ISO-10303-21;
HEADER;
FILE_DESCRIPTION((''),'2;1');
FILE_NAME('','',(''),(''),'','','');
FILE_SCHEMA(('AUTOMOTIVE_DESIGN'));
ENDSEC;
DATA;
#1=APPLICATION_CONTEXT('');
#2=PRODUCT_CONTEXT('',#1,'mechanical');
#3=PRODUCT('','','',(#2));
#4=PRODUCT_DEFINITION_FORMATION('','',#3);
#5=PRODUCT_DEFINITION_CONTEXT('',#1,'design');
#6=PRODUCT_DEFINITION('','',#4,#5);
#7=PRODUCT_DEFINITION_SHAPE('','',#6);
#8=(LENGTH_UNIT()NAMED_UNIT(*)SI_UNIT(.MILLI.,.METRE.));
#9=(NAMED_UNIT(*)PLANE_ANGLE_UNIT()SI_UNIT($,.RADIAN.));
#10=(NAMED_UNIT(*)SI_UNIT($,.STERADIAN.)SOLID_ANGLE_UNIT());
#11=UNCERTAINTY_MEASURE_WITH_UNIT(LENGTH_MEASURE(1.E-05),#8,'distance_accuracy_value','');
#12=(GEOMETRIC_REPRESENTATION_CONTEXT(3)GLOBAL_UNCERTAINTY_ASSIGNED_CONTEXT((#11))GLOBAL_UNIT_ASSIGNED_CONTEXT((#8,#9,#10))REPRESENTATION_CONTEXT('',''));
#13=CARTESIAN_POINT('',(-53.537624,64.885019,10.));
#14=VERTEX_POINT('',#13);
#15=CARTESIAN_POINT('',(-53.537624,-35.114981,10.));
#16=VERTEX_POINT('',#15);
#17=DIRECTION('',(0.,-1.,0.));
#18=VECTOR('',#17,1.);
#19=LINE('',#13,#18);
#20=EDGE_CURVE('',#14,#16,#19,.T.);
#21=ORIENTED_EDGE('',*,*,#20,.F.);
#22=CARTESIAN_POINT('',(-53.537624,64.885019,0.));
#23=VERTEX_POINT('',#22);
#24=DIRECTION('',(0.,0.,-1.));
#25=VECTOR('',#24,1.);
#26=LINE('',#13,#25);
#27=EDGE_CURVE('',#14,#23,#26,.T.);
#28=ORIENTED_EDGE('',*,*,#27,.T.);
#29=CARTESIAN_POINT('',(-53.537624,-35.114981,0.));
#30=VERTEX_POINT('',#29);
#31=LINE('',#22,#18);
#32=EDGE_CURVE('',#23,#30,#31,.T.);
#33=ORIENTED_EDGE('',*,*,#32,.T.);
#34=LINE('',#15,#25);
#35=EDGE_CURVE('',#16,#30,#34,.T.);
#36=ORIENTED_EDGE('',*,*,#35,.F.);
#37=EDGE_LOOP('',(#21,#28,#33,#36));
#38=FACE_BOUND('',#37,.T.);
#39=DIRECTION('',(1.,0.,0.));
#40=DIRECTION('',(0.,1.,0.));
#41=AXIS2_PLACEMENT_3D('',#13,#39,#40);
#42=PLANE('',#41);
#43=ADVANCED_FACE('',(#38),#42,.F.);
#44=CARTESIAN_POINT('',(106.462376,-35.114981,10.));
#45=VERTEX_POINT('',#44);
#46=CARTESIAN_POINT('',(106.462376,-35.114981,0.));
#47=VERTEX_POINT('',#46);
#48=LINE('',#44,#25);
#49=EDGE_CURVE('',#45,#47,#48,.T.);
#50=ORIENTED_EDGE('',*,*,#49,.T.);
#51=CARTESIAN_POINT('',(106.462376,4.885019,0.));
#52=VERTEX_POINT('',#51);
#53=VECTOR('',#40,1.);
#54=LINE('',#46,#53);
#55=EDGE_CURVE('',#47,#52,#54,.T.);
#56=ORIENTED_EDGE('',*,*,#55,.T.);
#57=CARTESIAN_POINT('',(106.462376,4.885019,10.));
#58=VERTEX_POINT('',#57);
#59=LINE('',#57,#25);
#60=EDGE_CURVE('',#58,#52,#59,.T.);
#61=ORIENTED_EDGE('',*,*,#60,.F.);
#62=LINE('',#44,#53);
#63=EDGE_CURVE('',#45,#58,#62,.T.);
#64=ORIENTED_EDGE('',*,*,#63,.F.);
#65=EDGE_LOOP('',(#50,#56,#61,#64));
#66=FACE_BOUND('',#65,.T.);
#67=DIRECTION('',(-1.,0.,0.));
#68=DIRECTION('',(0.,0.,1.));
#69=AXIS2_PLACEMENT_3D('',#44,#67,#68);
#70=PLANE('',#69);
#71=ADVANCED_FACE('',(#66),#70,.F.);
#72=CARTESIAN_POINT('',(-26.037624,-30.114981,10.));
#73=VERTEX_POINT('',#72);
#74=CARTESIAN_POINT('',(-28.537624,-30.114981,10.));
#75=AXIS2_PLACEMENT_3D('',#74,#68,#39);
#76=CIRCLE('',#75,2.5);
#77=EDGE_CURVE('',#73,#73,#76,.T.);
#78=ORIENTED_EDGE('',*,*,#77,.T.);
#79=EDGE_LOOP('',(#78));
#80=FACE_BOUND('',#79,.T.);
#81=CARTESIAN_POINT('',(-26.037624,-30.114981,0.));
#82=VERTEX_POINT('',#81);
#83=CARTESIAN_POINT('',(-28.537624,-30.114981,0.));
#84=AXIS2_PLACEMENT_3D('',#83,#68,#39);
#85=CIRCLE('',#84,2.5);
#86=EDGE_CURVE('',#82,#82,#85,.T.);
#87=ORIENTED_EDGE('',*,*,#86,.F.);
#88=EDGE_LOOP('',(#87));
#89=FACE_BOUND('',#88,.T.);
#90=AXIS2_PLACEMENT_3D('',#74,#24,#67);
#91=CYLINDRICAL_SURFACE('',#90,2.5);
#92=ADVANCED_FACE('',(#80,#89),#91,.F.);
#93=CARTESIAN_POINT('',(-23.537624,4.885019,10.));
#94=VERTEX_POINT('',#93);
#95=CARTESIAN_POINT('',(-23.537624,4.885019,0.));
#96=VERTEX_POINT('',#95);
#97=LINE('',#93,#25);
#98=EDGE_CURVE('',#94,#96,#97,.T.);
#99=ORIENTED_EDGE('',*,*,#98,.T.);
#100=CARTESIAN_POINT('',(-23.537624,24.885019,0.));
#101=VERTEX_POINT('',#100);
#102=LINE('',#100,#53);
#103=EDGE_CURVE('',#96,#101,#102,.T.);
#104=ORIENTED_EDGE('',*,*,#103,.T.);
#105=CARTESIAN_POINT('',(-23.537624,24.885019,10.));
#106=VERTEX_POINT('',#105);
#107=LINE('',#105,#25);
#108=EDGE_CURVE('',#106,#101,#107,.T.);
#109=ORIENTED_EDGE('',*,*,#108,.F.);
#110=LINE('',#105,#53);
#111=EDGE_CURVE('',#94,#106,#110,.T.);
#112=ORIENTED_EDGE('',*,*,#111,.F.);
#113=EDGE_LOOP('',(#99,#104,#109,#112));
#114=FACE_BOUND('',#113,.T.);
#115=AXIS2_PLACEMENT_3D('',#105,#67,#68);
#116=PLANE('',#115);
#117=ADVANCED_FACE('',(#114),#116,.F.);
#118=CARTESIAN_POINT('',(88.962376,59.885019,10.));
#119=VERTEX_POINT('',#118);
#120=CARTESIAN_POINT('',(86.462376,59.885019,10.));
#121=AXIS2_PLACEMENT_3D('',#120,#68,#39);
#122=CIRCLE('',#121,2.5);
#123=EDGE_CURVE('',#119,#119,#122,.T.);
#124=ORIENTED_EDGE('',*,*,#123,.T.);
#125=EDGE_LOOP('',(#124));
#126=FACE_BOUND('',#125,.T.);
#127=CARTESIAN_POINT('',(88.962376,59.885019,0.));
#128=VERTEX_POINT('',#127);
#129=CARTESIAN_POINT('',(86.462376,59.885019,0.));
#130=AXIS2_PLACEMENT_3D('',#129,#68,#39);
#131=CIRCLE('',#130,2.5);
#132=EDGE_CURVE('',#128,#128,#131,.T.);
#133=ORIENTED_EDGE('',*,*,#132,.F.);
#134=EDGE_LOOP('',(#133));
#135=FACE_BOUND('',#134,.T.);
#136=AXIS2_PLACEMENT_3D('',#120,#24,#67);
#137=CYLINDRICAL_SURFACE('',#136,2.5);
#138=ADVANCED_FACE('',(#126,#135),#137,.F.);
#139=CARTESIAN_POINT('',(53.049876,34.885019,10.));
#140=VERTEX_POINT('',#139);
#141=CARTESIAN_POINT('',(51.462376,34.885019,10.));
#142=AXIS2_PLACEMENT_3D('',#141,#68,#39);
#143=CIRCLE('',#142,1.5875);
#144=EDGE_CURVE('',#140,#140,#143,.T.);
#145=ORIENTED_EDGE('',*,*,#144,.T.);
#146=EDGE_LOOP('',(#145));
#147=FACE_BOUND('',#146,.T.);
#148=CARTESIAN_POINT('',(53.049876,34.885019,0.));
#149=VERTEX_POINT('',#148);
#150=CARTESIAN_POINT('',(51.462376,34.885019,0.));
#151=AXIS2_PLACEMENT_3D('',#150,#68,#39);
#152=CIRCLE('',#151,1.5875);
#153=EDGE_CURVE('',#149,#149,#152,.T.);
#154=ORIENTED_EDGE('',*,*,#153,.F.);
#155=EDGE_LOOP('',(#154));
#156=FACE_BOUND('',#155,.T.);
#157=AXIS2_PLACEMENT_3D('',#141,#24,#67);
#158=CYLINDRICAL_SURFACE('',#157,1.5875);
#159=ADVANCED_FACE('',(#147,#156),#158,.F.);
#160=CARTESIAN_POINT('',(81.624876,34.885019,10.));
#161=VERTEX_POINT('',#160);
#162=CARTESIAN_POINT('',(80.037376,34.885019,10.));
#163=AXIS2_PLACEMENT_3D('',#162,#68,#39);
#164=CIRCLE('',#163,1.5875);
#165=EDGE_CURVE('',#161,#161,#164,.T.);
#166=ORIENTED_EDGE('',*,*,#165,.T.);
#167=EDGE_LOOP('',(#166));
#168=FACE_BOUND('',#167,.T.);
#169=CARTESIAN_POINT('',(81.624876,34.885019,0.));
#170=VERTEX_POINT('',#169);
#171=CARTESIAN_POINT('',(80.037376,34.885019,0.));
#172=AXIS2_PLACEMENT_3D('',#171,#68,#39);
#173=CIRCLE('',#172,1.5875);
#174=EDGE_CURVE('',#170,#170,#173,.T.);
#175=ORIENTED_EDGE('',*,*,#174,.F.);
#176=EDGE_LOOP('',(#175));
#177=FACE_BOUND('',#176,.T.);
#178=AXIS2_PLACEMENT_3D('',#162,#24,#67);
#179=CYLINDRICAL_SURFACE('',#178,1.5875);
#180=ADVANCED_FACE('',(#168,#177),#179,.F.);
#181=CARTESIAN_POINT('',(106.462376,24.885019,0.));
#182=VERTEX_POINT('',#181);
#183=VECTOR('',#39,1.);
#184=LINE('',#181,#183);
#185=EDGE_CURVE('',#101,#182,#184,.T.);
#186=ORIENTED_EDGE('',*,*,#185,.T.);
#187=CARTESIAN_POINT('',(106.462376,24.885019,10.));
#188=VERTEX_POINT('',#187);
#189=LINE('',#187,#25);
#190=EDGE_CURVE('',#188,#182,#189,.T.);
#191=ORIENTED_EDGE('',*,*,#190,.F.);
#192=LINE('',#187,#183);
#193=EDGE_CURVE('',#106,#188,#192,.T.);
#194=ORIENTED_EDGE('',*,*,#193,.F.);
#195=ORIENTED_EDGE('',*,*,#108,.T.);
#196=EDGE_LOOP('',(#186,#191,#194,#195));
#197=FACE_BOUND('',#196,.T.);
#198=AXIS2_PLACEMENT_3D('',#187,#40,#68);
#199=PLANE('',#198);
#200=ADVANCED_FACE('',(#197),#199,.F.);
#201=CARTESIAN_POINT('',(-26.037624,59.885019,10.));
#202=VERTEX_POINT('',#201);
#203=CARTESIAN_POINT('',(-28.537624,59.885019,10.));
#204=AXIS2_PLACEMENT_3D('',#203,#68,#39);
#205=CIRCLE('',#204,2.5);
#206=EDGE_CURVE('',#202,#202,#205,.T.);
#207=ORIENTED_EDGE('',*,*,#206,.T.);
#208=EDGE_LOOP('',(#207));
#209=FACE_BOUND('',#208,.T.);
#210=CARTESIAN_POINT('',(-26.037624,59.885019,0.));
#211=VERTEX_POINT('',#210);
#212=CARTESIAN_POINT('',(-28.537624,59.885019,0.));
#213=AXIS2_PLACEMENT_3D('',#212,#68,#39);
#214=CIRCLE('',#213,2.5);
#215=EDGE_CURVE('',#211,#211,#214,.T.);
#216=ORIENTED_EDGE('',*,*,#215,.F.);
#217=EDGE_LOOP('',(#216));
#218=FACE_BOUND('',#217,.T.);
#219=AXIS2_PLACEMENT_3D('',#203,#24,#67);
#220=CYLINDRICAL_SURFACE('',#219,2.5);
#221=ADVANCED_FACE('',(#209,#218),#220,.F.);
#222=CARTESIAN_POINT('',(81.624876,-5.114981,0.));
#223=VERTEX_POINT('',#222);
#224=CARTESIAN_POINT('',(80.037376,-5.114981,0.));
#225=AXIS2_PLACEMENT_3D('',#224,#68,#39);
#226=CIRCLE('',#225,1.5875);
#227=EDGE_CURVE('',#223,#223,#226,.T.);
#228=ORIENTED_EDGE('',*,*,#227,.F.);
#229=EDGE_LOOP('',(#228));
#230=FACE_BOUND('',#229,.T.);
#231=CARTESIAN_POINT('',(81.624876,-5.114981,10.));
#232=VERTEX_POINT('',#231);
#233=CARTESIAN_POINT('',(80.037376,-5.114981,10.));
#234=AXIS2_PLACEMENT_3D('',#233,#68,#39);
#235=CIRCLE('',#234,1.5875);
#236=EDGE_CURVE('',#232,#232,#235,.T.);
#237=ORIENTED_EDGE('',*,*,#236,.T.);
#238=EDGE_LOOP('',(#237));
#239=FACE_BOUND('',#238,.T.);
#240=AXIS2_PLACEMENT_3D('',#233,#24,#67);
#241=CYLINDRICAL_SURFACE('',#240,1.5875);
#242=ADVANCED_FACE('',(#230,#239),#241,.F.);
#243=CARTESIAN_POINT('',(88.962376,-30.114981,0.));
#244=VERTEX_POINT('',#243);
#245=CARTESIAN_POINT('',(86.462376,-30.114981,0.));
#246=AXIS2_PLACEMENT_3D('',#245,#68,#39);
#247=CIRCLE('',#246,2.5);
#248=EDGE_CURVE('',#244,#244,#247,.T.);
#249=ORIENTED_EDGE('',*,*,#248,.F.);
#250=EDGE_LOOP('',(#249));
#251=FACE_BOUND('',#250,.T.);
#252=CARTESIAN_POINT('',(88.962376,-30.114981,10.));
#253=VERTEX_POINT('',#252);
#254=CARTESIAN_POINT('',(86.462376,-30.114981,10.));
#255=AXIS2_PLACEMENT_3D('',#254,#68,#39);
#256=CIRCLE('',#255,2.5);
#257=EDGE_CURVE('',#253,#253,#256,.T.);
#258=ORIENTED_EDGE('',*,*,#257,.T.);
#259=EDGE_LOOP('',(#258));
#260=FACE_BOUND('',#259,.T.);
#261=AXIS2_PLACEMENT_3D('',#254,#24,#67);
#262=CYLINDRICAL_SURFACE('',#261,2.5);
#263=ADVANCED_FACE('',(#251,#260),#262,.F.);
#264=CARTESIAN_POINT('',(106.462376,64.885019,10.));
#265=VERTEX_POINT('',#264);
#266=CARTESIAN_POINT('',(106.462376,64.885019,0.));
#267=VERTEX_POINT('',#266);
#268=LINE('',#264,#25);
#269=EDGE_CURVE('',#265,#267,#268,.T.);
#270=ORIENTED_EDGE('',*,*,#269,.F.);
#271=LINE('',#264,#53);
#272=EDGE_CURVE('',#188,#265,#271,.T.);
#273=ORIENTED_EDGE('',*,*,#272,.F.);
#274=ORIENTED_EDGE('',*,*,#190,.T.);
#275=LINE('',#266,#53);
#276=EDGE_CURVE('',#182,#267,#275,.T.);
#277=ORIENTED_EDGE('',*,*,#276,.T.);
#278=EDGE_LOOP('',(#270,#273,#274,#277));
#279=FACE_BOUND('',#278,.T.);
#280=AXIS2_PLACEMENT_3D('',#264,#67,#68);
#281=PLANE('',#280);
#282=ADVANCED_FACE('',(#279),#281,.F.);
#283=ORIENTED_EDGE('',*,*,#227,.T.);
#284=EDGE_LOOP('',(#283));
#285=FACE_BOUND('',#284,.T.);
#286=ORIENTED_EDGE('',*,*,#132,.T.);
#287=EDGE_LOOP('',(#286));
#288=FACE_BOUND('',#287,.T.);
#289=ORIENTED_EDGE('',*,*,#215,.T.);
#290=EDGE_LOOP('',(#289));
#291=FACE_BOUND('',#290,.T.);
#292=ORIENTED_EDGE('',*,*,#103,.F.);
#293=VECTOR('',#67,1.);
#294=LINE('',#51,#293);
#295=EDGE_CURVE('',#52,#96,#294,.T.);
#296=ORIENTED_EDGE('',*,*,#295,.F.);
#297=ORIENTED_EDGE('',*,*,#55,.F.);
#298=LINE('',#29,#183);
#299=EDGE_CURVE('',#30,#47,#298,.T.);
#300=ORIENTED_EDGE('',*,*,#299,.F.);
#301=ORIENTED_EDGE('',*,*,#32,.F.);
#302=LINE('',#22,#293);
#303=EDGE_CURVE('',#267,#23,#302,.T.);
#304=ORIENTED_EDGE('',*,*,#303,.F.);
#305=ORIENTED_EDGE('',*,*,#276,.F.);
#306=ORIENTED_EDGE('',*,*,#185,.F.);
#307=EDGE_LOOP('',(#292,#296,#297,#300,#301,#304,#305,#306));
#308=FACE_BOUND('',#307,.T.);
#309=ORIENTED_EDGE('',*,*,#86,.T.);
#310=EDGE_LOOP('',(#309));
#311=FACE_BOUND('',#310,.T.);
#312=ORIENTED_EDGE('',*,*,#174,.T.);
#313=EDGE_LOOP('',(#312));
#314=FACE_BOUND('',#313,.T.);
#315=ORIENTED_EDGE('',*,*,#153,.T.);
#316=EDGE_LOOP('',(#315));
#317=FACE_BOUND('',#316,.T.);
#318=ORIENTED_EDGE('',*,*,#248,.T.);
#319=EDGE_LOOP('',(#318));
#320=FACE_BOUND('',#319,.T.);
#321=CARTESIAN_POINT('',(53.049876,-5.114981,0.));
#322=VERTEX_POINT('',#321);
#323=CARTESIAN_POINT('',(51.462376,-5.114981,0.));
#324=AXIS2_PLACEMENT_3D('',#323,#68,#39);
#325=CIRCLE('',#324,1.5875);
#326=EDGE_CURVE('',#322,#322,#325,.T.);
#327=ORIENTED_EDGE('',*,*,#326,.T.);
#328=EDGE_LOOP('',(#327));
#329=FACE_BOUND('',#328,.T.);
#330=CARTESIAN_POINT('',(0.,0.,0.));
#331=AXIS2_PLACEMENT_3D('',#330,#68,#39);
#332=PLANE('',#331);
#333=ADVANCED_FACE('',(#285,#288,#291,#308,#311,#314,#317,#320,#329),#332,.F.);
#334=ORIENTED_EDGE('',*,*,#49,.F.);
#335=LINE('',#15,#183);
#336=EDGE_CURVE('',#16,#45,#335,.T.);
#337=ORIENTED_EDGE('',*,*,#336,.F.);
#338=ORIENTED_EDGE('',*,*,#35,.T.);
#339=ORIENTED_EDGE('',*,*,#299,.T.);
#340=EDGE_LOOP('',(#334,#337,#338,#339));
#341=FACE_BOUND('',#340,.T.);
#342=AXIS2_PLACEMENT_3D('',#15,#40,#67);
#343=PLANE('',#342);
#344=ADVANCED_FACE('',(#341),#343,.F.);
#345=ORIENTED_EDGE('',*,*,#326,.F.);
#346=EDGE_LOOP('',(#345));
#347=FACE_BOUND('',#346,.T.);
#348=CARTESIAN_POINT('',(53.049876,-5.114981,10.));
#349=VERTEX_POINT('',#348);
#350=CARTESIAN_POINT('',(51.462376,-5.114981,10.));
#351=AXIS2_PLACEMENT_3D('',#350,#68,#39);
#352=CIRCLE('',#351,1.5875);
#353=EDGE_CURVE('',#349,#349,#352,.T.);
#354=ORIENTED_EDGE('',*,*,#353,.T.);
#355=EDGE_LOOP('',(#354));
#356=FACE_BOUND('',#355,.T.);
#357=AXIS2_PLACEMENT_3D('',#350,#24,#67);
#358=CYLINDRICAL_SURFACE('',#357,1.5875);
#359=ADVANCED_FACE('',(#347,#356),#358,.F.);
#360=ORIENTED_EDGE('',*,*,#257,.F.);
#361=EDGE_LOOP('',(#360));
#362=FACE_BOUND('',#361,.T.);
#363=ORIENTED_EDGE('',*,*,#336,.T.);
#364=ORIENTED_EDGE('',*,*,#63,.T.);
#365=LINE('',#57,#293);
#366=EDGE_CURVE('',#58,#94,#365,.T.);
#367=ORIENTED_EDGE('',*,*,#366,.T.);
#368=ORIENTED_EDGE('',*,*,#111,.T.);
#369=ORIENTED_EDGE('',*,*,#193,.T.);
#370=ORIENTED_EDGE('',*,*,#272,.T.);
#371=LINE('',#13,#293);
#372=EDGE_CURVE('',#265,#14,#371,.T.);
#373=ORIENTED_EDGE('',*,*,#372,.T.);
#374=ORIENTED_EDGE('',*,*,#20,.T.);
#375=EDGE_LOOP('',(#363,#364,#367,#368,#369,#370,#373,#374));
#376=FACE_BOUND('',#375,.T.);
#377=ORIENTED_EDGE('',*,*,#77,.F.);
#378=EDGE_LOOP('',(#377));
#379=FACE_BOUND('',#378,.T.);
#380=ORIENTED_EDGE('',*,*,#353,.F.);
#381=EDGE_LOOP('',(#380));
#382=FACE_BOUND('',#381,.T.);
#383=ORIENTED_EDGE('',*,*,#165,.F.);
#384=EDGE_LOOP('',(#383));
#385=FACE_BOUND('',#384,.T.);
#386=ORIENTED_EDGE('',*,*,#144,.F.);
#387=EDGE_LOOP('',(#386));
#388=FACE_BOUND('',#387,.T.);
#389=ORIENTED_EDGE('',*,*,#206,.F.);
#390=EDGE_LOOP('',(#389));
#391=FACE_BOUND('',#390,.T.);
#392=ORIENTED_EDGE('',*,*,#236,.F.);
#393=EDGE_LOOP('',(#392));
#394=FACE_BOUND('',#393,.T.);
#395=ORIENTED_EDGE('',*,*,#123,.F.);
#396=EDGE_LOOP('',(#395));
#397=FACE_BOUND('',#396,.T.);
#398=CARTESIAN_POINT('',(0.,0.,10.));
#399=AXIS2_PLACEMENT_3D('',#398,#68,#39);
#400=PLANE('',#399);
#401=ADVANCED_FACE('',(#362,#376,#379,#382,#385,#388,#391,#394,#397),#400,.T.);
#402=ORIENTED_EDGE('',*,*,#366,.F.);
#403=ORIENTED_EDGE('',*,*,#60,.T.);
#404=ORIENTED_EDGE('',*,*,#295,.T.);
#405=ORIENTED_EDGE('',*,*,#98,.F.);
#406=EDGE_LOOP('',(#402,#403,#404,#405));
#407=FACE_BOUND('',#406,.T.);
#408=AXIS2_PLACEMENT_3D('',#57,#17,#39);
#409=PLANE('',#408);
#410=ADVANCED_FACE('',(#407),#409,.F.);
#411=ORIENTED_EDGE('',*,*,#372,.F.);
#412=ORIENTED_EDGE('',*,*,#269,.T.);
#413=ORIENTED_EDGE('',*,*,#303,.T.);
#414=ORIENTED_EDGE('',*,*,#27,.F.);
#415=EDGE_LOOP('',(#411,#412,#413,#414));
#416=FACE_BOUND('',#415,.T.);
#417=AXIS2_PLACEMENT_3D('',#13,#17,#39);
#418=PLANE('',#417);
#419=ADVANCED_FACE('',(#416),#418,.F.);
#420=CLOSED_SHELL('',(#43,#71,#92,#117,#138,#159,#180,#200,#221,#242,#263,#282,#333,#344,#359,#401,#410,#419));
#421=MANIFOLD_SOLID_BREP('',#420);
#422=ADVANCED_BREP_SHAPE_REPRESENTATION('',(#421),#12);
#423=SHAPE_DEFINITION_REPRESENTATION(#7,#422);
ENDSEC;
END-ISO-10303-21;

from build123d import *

# Parameters (mm, degrees)
SKETCH1_R           = 1.5875
SKETCH1_R_2         = 2.5
BOSS_EXTRUDE1_DEPTH = 10


with BuildPart() as part:
    # Sketch1 → Boss-Extrude1 (new body)
    with BuildSketch(Plane.XY):
        Polygon((-53.537623716, 64.885018665), (106.462376284, 64.885018665), (106.462376284, 24.885018665), (-23.537623716, 24.885018665), (-23.537623716, 4.885018665), (106.462376284, 4.885018665), (106.462376284, -35.114981335), (-53.537623716, -35.114981335), align=None)
        with Locations((51.462376284, 34.885018665)):
            Circle(SKETCH1_R, mode=Mode.SUBTRACT)
        with Locations((80.037376284, 34.885018665)):
            Circle(SKETCH1_R, mode=Mode.SUBTRACT)
        with Locations((51.462376284, -5.114981335)):
            Circle(SKETCH1_R, mode=Mode.SUBTRACT)
        with Locations((80.037376284, -5.114981335)):
            Circle(SKETCH1_R, mode=Mode.SUBTRACT)
        with Locations((-28.537623716, 59.885018665)):
            Circle(SKETCH1_R_2, mode=Mode.SUBTRACT)
        with Locations((86.462376284, 59.885018665)):
            Circle(SKETCH1_R_2, mode=Mode.SUBTRACT)
        with Locations((-28.537623716, -30.114981335)):
            Circle(SKETCH1_R_2, mode=Mode.SUBTRACT)
        with Locations((86.462376284, -30.114981335)):
            Circle(SKETCH1_R_2, mode=Mode.SUBTRACT)
    extrude(amount=BOSS_EXTRUDE1_DEPTH)


solid = part.part
